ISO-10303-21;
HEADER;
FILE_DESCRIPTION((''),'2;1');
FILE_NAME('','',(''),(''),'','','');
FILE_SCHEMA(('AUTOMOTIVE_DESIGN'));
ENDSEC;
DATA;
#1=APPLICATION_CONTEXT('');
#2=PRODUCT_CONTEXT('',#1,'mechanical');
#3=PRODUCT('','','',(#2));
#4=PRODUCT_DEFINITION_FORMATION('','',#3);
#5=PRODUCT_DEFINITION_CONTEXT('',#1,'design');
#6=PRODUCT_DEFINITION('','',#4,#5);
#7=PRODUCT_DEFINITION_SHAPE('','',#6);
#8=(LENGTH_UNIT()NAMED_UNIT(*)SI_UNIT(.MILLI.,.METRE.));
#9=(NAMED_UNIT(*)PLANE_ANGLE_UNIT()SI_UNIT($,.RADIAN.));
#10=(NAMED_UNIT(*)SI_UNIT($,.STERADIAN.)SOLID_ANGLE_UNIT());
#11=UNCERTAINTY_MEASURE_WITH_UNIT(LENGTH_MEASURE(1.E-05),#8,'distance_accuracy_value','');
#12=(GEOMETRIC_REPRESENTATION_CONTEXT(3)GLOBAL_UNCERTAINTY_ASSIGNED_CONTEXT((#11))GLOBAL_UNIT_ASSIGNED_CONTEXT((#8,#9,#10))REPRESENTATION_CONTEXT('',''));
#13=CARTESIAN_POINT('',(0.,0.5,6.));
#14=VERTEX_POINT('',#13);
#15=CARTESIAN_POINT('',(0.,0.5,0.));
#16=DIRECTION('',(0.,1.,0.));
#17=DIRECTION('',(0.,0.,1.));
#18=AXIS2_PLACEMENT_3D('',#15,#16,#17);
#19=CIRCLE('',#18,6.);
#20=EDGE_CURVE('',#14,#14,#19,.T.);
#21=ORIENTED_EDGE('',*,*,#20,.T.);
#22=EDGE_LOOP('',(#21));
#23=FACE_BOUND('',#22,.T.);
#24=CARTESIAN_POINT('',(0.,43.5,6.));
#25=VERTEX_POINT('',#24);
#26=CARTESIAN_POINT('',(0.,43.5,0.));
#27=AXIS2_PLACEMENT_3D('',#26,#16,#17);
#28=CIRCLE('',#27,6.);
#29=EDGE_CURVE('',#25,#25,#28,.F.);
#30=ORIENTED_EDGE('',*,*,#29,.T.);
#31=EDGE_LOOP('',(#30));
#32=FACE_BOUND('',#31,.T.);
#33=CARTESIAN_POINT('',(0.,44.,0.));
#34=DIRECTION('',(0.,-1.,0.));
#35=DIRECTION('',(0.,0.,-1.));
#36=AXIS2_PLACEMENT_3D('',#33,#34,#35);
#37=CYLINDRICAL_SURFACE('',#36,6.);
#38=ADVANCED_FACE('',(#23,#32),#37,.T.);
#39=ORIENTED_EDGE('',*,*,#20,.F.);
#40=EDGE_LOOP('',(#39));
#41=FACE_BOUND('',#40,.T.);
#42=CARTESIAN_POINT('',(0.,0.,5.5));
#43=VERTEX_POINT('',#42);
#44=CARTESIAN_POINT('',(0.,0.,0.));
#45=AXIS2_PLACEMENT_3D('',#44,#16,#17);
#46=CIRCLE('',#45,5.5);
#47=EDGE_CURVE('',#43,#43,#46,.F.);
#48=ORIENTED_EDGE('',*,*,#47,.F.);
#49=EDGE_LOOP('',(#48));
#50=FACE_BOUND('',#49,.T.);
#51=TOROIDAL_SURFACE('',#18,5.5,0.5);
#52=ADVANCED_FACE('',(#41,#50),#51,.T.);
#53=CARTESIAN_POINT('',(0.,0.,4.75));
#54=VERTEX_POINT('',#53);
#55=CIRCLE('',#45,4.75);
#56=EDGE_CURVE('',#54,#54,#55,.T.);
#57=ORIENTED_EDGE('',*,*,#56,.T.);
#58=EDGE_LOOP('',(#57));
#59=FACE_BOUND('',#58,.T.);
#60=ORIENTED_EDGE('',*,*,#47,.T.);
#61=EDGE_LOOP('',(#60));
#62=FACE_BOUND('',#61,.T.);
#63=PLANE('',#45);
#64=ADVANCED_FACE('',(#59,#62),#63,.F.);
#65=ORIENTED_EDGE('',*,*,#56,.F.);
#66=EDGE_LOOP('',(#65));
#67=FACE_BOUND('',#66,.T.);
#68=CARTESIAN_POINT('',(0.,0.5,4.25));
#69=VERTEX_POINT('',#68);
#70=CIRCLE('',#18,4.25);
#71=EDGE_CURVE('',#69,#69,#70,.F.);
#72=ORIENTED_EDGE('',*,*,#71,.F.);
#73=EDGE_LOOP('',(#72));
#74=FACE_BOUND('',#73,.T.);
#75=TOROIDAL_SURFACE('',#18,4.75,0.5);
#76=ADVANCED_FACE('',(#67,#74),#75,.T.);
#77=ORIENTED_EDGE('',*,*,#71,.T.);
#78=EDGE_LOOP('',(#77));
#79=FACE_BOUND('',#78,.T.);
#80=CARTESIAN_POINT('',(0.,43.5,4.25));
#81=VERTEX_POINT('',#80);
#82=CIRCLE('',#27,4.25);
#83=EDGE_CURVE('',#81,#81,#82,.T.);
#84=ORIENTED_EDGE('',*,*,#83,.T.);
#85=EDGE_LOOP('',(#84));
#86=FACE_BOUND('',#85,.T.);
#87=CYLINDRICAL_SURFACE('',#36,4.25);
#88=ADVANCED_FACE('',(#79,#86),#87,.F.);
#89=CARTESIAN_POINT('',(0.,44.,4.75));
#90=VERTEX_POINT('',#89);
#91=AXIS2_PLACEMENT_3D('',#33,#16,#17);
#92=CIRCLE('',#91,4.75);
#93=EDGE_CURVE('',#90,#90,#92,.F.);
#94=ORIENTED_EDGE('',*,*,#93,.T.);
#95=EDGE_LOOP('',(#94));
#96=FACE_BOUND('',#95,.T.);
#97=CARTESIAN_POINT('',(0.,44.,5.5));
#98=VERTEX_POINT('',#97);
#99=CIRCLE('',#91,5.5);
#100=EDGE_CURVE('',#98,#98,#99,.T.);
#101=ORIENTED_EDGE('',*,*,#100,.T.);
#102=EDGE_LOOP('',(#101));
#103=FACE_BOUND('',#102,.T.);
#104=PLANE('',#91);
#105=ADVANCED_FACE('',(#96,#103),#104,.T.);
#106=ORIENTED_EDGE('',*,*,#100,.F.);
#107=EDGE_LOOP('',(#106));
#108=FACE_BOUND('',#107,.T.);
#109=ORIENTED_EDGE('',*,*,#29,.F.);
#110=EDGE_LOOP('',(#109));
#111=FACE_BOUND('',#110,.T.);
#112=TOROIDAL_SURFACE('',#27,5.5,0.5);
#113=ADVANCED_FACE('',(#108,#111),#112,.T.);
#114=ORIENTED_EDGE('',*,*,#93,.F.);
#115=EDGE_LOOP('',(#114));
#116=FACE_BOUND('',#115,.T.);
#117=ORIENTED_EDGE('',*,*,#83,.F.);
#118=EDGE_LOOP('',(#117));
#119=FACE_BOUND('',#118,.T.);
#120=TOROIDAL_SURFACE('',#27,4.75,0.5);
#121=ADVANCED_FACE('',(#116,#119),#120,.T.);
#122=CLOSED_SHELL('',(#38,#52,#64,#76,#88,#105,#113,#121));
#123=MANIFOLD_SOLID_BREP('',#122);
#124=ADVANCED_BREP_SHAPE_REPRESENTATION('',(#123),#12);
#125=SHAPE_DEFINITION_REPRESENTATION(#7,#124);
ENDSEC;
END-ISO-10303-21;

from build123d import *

# Parameters (mm, degrees)
CROQUIS1_R              = 6
CROQUIS1_R_2            = 4.25
SALIENTE_EXTRUIR1_DEPTH = 44
REDONDEO1_R             = 0.5


with BuildPart() as part:
    # Croquis1 → Saliente-Extruir1 (new body)
    with BuildSketch(Plane(origin=(0, 0, 0), x_dir=(1, 0, 0), z_dir=(0, 1, 0))):
        with Locations(Location((0, 0, 0), (0, 0, 270))):
            Circle(CROQUIS1_R)
        with Locations(Location((0, 0, 0), (0, 0, 270))):
            Circle(CROQUIS1_R_2, mode=Mode.SUBTRACT)
    extrude(amount=SALIENTE_EXTRUIR1_DEPTH)

    # Redondeo1
    redondeo1_edges = [part.edges().sort_by_distance(p)[0] for p in [
        (0, 0, -6),
        (0, 44, -6),
        (0, 0, -4.25),
        (0, 44, -4.25),
    ]]
    fillet(redondeo1_edges, radius=REDONDEO1_R)


solid = part.part
